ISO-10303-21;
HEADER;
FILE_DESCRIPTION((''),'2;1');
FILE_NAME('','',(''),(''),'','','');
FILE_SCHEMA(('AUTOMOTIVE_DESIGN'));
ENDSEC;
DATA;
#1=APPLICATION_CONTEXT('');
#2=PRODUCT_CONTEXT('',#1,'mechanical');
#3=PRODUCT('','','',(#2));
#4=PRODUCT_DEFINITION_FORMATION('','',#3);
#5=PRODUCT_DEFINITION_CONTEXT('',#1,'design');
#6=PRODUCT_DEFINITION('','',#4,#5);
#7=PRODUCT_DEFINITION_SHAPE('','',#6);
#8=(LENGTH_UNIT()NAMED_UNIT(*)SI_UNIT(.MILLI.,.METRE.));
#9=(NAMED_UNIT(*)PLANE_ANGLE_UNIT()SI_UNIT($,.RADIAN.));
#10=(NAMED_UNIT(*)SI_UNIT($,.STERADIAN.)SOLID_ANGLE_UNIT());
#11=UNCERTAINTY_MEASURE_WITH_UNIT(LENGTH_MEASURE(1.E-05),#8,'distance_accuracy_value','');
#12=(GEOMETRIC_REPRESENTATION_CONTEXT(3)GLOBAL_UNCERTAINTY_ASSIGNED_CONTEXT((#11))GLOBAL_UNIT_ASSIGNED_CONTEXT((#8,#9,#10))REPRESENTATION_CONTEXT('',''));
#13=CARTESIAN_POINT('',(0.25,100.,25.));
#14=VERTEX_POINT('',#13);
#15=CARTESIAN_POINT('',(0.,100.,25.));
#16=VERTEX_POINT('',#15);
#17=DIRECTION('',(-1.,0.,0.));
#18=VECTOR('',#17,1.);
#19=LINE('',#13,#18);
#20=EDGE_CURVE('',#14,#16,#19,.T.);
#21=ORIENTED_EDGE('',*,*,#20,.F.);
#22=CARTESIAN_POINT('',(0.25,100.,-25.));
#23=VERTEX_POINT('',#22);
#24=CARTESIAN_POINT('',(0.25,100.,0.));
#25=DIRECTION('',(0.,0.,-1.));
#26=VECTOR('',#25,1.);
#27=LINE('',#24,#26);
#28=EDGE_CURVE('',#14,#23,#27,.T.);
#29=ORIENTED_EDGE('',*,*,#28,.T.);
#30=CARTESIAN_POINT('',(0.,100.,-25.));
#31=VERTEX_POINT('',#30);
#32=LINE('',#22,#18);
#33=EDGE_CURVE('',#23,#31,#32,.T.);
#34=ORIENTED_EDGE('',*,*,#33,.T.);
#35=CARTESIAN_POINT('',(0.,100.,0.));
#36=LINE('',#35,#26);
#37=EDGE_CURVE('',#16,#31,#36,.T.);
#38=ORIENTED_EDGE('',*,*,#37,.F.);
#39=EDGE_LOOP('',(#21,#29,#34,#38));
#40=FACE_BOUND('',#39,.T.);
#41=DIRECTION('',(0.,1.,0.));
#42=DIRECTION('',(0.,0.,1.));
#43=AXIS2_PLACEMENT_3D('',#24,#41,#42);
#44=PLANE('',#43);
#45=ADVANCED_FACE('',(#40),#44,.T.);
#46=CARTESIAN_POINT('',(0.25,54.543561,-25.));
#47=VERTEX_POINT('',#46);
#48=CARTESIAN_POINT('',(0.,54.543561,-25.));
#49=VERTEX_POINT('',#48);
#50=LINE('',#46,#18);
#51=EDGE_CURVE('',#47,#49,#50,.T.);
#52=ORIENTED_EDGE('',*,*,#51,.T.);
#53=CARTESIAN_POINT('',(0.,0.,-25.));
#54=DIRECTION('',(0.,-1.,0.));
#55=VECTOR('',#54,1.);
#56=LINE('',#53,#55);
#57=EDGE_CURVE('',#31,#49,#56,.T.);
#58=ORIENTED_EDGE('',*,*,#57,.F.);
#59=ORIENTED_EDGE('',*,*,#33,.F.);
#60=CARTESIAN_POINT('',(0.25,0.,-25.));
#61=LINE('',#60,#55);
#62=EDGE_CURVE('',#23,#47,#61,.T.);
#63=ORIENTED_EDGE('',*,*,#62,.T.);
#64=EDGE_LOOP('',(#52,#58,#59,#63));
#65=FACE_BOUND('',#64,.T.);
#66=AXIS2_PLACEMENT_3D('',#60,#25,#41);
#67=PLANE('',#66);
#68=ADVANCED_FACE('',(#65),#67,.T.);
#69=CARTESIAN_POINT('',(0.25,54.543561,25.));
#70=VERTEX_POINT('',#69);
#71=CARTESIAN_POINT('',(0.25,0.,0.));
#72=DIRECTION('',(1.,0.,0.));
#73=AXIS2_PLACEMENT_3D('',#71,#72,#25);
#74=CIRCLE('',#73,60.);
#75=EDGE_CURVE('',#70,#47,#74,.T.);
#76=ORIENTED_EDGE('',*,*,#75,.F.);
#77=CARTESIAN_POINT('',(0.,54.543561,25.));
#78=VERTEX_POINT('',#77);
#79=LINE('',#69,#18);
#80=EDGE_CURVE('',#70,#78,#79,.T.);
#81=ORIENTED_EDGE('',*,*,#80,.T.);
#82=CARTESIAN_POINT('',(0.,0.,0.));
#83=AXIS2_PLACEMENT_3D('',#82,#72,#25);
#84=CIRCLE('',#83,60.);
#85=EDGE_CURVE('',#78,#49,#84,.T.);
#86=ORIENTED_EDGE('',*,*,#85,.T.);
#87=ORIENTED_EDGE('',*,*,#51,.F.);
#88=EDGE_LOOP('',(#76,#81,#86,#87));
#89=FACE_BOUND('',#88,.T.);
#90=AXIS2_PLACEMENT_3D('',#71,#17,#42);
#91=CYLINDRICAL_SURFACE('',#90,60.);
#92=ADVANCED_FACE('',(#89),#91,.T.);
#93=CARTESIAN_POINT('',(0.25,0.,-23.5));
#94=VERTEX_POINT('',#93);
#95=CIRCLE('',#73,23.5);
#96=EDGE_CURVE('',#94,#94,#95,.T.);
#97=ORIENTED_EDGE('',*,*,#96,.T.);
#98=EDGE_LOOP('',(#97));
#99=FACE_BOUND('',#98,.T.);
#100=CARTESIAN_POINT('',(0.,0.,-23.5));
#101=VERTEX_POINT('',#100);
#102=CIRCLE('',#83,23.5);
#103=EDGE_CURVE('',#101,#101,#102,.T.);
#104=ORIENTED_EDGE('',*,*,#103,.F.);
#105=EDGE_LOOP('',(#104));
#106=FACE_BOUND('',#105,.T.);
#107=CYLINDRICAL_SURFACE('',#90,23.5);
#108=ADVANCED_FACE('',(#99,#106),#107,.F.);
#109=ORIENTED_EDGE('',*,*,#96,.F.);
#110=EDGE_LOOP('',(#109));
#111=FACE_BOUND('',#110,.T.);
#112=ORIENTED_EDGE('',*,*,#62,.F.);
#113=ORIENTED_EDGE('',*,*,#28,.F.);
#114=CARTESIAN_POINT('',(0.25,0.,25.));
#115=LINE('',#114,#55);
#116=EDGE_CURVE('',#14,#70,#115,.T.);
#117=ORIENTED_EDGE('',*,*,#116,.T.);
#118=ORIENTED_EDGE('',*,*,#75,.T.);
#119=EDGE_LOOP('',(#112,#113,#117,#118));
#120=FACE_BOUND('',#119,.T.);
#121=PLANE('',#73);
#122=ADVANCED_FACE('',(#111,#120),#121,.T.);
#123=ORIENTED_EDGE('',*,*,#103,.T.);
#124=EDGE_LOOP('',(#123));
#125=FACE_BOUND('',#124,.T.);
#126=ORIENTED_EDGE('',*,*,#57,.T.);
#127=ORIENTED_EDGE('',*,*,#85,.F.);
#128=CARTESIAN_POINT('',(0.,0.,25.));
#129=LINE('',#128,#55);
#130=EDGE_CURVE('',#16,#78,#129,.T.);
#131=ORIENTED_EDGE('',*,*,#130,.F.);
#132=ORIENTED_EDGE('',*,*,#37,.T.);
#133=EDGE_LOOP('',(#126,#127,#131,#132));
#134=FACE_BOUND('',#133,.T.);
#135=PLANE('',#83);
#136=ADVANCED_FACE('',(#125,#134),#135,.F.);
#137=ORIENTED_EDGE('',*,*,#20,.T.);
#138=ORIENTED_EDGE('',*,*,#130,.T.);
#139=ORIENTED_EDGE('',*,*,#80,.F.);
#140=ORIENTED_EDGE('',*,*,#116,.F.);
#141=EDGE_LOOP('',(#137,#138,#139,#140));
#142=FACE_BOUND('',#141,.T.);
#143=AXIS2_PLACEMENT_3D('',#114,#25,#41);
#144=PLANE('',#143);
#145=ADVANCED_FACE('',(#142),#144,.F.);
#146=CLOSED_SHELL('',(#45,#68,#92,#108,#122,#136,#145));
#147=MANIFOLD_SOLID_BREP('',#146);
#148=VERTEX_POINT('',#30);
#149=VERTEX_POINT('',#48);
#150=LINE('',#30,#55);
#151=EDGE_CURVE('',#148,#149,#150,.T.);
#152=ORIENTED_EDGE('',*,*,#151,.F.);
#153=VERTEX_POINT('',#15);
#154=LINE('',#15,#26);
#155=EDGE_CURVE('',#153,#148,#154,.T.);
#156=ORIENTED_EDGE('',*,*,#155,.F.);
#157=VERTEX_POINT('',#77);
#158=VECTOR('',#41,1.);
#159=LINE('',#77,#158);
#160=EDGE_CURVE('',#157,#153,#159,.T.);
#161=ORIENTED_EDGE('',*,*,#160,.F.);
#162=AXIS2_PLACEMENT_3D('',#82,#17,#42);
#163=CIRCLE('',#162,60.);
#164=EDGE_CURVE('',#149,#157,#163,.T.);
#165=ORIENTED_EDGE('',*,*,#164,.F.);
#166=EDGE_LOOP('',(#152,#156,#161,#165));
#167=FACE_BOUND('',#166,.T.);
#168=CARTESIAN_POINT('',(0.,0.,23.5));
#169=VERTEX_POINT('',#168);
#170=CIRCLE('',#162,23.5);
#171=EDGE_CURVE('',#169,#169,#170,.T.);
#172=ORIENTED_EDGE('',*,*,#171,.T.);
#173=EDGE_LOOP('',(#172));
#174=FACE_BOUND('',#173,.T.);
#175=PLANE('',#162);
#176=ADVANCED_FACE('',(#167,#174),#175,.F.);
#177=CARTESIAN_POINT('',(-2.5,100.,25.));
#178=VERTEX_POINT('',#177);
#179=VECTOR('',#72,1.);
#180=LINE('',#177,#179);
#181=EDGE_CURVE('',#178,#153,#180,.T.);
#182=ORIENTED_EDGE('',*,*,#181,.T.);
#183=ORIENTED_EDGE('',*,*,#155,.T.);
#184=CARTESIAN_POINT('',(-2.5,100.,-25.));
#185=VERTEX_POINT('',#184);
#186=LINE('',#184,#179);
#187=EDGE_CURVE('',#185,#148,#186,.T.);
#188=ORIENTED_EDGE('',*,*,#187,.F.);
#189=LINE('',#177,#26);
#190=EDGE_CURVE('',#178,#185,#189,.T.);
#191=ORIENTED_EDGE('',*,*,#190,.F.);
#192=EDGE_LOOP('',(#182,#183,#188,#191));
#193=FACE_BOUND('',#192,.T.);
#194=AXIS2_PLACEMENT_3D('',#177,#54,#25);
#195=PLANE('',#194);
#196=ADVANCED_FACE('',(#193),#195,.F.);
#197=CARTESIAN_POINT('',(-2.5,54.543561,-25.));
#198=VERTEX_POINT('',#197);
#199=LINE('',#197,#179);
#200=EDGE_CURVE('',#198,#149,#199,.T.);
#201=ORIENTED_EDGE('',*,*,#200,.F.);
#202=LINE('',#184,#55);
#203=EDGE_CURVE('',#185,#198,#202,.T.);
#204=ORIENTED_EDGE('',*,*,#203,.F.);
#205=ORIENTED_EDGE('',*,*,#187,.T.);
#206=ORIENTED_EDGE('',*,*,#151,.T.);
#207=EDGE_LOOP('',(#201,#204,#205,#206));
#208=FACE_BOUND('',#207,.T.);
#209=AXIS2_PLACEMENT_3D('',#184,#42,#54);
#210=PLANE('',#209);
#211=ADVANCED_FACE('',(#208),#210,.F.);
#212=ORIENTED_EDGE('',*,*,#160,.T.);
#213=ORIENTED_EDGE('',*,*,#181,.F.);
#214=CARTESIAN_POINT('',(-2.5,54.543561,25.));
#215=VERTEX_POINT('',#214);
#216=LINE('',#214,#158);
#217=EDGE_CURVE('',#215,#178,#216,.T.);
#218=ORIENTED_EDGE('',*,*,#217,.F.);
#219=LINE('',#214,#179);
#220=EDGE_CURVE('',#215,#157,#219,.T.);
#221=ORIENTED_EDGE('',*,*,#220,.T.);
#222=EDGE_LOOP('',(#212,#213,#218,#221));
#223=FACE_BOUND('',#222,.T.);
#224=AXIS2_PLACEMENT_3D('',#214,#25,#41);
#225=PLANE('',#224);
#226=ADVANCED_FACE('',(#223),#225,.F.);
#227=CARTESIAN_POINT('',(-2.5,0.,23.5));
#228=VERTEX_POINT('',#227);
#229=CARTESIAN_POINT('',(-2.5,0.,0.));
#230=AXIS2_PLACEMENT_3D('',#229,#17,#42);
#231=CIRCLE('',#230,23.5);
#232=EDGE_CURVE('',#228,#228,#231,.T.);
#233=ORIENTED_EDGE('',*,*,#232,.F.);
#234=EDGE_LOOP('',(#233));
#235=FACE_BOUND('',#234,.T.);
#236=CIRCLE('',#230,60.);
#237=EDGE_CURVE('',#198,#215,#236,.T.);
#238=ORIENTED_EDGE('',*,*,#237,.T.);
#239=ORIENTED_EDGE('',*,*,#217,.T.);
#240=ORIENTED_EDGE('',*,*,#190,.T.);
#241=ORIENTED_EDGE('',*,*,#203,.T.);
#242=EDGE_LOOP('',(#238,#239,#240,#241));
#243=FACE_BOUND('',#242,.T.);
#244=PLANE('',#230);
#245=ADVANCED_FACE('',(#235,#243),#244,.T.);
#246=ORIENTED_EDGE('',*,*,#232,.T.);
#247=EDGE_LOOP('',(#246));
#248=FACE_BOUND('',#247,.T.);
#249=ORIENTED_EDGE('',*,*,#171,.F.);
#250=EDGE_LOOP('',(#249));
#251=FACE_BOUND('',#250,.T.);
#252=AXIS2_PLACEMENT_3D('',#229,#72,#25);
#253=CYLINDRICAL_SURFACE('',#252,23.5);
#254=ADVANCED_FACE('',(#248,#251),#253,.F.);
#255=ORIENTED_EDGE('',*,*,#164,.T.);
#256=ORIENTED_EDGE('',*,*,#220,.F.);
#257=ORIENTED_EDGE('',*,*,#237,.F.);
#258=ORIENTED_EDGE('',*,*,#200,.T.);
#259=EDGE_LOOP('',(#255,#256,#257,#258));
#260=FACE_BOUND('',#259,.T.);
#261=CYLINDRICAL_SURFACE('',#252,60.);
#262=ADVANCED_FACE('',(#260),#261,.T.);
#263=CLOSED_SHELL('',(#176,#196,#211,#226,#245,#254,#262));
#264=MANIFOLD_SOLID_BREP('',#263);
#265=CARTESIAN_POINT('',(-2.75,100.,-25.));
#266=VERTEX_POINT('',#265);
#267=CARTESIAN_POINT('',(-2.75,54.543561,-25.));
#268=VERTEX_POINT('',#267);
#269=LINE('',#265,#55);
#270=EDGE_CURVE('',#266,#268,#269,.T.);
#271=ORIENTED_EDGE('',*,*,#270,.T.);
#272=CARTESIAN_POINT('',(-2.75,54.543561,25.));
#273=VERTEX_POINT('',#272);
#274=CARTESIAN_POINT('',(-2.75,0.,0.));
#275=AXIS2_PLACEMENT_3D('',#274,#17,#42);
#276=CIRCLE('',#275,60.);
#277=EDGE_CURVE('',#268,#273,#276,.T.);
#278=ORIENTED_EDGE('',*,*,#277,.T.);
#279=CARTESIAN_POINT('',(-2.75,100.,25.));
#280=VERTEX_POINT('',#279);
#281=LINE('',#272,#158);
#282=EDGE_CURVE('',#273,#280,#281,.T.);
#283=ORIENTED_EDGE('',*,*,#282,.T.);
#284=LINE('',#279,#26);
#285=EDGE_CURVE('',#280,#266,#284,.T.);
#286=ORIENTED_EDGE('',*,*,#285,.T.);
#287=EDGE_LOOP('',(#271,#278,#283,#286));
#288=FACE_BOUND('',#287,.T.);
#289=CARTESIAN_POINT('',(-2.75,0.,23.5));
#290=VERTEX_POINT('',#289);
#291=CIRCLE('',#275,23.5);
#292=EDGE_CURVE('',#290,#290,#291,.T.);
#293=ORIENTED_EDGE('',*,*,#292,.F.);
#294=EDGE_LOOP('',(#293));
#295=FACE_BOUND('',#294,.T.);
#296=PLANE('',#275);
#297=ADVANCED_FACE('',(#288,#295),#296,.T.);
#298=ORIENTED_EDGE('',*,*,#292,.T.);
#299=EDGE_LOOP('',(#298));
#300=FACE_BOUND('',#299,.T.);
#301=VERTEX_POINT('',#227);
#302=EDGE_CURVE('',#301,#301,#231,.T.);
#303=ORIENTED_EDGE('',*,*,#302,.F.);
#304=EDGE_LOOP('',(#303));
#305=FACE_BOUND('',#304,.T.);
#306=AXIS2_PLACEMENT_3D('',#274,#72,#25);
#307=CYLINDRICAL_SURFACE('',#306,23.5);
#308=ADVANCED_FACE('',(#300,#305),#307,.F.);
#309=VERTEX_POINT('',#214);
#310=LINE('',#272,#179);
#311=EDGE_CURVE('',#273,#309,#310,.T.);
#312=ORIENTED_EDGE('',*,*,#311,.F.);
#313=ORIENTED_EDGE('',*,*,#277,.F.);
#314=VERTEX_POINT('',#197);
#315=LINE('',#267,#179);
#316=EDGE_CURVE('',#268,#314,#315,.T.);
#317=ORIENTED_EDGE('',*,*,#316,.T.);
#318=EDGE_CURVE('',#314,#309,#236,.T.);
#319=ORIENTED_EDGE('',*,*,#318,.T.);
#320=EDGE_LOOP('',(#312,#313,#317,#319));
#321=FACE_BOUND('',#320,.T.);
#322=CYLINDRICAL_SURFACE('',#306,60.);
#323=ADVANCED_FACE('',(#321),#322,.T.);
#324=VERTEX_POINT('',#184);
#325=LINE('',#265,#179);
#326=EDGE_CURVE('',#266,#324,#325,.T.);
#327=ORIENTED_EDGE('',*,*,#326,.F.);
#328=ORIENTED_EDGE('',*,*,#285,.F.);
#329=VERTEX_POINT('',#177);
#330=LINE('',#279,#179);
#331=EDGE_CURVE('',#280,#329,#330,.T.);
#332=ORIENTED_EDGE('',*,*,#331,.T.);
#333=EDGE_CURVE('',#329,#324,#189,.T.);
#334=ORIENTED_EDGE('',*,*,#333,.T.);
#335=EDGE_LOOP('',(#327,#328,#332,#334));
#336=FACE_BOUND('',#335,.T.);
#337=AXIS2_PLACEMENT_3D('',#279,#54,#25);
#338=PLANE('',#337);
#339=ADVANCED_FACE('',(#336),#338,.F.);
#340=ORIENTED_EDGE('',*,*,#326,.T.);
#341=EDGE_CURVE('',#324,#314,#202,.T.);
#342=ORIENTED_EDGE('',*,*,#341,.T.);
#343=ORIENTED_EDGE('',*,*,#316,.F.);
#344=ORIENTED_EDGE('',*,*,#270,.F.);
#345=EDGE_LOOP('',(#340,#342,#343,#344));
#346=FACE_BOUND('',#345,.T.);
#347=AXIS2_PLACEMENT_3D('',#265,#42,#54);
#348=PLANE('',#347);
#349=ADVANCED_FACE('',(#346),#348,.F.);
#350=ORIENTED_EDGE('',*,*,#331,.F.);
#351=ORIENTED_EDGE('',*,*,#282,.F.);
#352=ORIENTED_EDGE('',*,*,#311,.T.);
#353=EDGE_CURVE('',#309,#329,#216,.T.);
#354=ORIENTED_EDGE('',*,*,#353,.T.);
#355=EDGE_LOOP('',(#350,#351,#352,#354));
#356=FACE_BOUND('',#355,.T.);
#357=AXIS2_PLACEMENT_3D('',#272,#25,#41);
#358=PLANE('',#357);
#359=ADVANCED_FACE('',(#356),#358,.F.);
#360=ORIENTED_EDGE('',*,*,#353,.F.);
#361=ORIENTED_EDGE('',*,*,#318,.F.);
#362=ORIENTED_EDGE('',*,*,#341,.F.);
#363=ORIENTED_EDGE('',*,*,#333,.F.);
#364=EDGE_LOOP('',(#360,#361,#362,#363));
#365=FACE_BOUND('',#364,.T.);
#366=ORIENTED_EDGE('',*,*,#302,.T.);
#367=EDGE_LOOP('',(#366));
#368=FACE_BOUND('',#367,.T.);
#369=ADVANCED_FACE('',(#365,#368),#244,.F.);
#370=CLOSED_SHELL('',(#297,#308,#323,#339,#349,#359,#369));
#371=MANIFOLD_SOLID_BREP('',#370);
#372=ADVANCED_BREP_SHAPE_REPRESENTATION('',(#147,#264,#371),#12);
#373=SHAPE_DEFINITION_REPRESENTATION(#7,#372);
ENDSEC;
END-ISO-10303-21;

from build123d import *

# Parameters (mm, degrees)
SKETCH1_R           = 60
SKETCH1_R_2         = 23.5
BOSS_EXTRUDE1_DEPTH = 0.25
SKETCH4_R           = 23.5
BOSS_EXTRUDE4_DEPTH = 2.5
SKETCH5_R           = 23.5
BOSS_EXTRUDE5_DEPTH = 0.25


with BuildPart() as part:
    # Sketch1 → Boss-Extrude1 (new body)
    with BuildSketch(Plane(origin=(0, 0, 0), x_dir=(0, 0, -1), z_dir=(1, 0, 0))):
        with BuildLine():
            Line((25, 100), (-25, 100))
            Line((-25, 100), (-25, 54.543560573))
            ThreePointArc((-25, 54.543560573), (0, 60), (25, 54.543560573))
            Line((25, 54.543560573), (25, 100))
        make_face()
        Circle(SKETCH1_R)
        Circle(SKETCH1_R_2, mode=Mode.SUBTRACT)
    extrude(amount=BOSS_EXTRUDE1_DEPTH)


with BuildPart() as body_2:
    # Sketch4 → Boss-Extrude4 (new body)
    with BuildSketch(Plane.ZY):
        with BuildLine():
            Line((25, 54.543560573), (25, 100))
            Line((25, 100), (-25, 100))
            Line((-25, 100), (-25, 54.543560573))
            ThreePointArc((-25, 54.543560573), (0, -60), (25, 54.543560573))
        make_face()
        Circle(SKETCH4_R, mode=Mode.SUBTRACT)
    extrude(amount=BOSS_EXTRUDE4_DEPTH)


with BuildPart() as body_3:
    # Sketch5 → Boss-Extrude5 (new body)
    with BuildSketch(Plane.ZY.offset(2.5)):
        with BuildLine():
            Line((25, 54.543560573), (25, 100))
            Line((25, 100), (-25, 100))
            Line((-25, 100), (-25, 54.543560573))
            ThreePointArc((-25, 54.543560573), (0, -60), (25, 54.543560573))
        make_face()
        Circle(SKETCH5_R, mode=Mode.SUBTRACT)
    extrude(amount=BOSS_EXTRUDE5_DEPTH)


solid = Compound([part.part, body_2.part, body_3.part])
